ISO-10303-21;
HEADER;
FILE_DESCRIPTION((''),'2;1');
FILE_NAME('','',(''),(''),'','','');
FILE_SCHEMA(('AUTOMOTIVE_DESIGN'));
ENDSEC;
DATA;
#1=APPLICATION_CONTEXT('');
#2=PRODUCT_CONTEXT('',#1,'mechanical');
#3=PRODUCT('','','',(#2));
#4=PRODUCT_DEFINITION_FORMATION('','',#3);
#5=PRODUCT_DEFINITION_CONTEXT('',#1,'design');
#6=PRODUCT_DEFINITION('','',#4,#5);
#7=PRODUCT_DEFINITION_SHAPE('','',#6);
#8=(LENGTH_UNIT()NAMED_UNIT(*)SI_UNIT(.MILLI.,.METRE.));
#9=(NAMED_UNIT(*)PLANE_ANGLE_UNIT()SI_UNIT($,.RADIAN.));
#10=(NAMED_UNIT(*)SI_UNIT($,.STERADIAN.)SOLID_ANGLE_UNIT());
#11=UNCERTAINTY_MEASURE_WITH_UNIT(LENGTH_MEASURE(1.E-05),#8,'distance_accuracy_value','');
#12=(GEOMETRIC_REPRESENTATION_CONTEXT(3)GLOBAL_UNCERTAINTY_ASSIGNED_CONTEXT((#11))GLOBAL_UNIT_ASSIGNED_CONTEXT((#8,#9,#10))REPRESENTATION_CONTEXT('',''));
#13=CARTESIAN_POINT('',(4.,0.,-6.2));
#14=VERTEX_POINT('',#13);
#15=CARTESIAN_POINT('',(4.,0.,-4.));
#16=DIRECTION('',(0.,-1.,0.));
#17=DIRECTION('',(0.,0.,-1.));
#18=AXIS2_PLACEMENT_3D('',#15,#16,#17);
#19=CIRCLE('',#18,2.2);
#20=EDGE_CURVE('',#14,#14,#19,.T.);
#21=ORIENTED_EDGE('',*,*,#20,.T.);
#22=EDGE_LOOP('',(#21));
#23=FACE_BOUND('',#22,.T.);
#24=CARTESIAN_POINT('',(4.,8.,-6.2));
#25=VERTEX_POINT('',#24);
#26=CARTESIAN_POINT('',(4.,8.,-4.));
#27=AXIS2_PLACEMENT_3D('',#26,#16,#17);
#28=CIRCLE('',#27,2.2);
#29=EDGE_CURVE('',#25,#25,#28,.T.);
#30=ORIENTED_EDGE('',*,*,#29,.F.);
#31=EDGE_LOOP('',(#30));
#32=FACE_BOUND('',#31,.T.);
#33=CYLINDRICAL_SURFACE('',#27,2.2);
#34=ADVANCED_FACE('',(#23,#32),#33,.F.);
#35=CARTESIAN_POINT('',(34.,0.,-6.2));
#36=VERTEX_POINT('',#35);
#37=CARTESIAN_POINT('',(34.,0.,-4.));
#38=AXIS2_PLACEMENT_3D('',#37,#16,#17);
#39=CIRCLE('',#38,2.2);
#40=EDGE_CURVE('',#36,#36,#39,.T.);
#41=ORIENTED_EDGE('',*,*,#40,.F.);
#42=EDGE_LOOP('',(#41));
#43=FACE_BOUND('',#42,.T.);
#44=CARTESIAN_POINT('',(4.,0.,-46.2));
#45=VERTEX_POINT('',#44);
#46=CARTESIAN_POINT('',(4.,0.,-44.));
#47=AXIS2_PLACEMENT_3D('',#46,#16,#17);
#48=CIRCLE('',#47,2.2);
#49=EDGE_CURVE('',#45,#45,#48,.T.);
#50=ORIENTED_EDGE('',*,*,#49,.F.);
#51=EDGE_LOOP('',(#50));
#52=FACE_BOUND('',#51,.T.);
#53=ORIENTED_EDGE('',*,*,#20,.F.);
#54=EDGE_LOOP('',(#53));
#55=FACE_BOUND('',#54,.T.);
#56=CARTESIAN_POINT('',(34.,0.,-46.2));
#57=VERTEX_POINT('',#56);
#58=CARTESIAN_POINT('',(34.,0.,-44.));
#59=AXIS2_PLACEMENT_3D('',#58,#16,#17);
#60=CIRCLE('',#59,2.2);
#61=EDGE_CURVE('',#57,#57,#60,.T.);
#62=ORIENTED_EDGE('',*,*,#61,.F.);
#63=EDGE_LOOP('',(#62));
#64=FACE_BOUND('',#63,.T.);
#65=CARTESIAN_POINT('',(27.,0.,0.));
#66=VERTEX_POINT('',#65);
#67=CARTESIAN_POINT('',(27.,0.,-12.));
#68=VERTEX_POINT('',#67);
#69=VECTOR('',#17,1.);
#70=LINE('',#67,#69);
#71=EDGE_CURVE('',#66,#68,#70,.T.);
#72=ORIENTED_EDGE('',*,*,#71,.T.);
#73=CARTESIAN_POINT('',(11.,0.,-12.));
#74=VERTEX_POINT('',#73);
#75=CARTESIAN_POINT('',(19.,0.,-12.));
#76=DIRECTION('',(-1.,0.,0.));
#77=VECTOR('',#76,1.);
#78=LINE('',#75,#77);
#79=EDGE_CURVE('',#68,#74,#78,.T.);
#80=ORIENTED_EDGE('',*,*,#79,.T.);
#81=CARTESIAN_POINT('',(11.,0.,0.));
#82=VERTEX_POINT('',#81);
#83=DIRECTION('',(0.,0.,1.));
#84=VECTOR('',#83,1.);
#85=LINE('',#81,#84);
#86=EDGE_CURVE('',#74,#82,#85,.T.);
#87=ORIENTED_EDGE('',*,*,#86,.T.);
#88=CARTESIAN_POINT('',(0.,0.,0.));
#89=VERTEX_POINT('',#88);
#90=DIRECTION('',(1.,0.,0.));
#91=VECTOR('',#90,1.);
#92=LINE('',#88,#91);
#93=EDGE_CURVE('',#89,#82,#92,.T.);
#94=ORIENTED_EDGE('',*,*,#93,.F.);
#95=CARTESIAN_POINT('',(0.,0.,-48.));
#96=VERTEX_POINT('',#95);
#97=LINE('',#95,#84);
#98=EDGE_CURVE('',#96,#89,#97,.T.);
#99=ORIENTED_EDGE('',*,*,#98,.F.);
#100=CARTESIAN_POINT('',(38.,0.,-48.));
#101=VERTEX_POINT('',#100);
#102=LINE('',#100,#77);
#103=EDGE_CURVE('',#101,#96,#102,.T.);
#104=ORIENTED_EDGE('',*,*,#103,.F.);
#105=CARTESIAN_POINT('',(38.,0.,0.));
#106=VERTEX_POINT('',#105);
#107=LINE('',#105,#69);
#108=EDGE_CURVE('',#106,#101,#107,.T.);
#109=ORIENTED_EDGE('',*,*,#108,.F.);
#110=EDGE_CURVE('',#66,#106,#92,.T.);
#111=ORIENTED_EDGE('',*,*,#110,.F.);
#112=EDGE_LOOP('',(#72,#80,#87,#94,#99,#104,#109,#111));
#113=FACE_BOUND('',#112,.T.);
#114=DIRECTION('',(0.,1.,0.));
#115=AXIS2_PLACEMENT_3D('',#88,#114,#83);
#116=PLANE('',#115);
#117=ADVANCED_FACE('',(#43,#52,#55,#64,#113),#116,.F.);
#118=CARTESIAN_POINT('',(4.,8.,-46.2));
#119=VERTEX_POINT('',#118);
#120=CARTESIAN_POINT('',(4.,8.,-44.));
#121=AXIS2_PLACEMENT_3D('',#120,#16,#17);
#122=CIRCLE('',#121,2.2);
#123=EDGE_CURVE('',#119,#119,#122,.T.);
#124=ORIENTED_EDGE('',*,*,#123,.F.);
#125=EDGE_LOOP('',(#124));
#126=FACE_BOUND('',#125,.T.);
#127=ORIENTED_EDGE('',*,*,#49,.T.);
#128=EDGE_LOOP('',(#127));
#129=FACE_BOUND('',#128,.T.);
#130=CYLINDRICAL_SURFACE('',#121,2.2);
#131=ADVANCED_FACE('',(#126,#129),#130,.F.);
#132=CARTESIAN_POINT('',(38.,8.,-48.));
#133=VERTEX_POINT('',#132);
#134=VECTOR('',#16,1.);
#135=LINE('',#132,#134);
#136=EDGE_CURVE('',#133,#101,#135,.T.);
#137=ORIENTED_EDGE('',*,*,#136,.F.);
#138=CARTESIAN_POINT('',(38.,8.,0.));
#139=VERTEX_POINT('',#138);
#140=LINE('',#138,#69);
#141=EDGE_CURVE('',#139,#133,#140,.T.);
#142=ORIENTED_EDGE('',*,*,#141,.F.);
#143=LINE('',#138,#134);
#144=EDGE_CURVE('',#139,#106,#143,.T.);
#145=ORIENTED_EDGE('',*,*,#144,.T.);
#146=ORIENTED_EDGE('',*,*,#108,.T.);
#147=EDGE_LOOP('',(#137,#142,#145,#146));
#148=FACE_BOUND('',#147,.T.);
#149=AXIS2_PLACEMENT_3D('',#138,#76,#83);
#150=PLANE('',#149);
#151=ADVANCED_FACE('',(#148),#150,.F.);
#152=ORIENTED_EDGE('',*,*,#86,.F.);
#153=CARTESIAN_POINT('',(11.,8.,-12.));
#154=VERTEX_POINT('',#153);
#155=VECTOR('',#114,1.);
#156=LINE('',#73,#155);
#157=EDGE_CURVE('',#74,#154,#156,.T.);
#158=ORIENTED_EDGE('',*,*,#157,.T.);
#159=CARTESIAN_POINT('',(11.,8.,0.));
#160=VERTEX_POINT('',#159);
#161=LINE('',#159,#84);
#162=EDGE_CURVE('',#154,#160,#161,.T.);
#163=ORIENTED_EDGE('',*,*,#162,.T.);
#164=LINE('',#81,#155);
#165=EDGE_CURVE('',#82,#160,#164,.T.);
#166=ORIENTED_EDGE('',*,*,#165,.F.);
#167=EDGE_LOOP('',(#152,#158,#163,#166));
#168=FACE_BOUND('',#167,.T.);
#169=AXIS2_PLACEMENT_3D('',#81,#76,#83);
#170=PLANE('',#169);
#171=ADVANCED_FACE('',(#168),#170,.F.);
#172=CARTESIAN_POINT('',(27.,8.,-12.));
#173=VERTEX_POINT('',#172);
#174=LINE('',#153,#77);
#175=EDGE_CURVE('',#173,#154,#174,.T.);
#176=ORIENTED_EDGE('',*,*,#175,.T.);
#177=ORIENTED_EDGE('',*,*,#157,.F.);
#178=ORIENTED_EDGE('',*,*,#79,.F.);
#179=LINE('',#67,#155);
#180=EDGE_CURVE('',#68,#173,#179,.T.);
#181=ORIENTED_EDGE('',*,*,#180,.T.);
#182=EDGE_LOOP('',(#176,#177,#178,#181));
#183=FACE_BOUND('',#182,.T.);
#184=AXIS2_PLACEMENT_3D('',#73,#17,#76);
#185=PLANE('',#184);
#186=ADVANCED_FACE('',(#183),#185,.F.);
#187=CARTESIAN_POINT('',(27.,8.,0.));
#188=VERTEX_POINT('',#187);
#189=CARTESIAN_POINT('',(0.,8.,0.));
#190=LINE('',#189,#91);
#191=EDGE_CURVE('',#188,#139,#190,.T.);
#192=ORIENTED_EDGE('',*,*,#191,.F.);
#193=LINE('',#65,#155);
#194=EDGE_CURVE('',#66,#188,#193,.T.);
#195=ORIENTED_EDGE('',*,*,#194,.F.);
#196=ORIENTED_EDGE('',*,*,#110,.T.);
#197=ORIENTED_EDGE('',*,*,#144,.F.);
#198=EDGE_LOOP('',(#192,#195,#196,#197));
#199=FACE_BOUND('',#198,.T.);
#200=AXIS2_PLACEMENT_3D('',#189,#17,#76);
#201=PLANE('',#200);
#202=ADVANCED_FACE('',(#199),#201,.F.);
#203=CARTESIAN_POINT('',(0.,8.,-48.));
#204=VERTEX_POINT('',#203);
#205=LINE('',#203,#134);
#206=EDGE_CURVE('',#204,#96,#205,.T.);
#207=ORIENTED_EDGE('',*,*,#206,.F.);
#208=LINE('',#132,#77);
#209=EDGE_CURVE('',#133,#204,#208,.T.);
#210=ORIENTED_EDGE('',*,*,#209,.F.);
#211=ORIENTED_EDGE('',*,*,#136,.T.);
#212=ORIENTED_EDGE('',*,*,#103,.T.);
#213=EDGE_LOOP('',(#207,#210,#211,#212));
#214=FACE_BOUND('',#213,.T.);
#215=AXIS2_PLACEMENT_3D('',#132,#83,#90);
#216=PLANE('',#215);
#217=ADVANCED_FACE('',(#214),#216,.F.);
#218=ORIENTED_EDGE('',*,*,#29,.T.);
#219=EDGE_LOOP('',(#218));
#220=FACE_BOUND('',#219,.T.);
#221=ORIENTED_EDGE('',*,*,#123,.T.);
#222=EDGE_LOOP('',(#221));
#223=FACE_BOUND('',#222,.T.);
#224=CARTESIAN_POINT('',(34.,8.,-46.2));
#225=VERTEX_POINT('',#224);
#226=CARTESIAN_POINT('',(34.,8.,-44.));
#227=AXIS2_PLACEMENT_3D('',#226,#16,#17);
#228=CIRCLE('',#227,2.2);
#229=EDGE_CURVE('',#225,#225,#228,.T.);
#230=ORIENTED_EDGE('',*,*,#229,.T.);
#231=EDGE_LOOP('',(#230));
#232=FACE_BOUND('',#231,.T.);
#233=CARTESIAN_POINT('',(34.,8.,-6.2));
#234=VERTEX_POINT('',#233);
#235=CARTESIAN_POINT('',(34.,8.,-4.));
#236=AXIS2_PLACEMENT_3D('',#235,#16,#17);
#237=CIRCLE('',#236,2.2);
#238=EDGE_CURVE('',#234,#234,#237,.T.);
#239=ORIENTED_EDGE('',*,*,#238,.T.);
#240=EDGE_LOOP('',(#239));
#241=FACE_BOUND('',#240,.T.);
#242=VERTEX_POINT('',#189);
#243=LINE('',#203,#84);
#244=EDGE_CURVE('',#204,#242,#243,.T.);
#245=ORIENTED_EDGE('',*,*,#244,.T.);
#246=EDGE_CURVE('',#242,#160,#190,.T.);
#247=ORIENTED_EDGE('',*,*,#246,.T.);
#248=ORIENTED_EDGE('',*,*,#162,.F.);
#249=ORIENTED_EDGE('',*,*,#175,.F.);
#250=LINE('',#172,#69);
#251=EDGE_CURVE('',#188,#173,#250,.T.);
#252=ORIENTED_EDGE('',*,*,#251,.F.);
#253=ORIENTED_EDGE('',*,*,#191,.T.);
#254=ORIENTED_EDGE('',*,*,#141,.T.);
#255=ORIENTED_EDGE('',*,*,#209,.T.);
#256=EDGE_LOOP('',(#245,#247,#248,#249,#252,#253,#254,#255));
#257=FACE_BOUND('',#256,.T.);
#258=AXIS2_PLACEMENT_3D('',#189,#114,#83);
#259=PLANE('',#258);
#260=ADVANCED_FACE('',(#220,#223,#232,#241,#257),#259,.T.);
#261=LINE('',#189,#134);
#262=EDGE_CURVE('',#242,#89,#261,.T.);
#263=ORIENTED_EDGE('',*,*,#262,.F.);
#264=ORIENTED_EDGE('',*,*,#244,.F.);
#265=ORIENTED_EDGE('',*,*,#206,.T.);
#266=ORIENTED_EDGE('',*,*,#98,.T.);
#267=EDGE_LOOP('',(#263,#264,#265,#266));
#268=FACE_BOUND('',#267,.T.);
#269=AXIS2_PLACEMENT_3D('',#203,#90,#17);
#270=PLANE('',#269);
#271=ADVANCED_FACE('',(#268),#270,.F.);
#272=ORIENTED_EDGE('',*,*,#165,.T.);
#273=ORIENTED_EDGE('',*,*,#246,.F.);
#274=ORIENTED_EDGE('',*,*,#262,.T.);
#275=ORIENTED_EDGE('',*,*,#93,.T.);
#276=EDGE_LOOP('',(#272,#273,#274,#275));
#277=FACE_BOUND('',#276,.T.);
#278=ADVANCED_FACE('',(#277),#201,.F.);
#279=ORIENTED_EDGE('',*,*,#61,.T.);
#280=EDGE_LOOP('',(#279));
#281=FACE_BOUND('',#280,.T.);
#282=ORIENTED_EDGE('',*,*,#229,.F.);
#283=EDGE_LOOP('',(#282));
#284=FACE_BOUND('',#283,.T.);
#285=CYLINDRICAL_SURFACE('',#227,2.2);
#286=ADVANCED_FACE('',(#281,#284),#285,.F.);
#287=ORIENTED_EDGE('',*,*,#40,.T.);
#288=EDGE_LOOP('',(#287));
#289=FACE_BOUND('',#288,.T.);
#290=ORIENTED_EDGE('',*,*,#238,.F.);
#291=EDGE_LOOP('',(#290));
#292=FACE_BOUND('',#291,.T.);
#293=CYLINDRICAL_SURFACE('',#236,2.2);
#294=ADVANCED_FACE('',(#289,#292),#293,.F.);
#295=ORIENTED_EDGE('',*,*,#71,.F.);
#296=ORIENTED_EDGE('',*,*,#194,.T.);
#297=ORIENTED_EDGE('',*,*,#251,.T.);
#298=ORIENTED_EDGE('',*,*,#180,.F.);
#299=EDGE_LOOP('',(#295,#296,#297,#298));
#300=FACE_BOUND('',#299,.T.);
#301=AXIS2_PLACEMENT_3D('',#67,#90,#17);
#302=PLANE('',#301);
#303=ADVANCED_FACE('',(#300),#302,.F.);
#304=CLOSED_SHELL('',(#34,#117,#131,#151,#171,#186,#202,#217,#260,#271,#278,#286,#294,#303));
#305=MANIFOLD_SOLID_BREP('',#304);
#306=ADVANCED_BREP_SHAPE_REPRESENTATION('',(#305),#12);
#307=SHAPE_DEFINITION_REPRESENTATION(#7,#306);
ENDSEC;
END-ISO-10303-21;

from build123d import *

# Parameters (mm, degrees)
ESQUISSE1_W             = 38
ESQUISSE1_H             = 48
BOSS_EXTRU_1_DEPTH      = 8
ESQUISSE3_R             = 2.2
ENL_V_MAT_EXTRU_1_DEPTH = 8
ENL_V_MAT_EXTRU_2_DEPTH = 8


with BuildPart() as part:
    # Esquisse1 → Boss.-Extru.1 (new body)
    with BuildSketch(Plane(origin=(0, 0, 0), x_dir=(1, 0, 0), z_dir=(0, 1, 0))):
        with Locations((19, 24)):
            Rectangle(ESQUISSE1_W, ESQUISSE1_H)
    extrude(amount=BOSS_EXTRU_1_DEPTH)

    # Esquisse3 → Enlèv. mat.-Extru.1 (cut)
    with BuildSketch(Plane.XZ):
        with Locations((4, -4)):
            Circle(ESQUISSE3_R)
        with Locations((34, -4)):
            Circle(ESQUISSE3_R)
        with Locations((34, -44)):
            Circle(ESQUISSE3_R)
        with Locations((4, -44)):
            Circle(ESQUISSE3_R)
    extrude(amount=-ENL_V_MAT_EXTRU_1_DEPTH, mode=Mode.SUBTRACT)

    # Esquisse5 → Enlèv. mat.-Extru.2 (cut)
    with BuildSketch(Plane(origin=(0, 8, 0), x_dir=(1, 0, 0), z_dir=(0, 1, 0))):
        Polygon((19, 12), (27, 12), (27, 0), (11, 0), (11, 12), align=None)
    extrude(amount=-ENL_V_MAT_EXTRU_2_DEPTH, mode=Mode.SUBTRACT)


solid = part.part
